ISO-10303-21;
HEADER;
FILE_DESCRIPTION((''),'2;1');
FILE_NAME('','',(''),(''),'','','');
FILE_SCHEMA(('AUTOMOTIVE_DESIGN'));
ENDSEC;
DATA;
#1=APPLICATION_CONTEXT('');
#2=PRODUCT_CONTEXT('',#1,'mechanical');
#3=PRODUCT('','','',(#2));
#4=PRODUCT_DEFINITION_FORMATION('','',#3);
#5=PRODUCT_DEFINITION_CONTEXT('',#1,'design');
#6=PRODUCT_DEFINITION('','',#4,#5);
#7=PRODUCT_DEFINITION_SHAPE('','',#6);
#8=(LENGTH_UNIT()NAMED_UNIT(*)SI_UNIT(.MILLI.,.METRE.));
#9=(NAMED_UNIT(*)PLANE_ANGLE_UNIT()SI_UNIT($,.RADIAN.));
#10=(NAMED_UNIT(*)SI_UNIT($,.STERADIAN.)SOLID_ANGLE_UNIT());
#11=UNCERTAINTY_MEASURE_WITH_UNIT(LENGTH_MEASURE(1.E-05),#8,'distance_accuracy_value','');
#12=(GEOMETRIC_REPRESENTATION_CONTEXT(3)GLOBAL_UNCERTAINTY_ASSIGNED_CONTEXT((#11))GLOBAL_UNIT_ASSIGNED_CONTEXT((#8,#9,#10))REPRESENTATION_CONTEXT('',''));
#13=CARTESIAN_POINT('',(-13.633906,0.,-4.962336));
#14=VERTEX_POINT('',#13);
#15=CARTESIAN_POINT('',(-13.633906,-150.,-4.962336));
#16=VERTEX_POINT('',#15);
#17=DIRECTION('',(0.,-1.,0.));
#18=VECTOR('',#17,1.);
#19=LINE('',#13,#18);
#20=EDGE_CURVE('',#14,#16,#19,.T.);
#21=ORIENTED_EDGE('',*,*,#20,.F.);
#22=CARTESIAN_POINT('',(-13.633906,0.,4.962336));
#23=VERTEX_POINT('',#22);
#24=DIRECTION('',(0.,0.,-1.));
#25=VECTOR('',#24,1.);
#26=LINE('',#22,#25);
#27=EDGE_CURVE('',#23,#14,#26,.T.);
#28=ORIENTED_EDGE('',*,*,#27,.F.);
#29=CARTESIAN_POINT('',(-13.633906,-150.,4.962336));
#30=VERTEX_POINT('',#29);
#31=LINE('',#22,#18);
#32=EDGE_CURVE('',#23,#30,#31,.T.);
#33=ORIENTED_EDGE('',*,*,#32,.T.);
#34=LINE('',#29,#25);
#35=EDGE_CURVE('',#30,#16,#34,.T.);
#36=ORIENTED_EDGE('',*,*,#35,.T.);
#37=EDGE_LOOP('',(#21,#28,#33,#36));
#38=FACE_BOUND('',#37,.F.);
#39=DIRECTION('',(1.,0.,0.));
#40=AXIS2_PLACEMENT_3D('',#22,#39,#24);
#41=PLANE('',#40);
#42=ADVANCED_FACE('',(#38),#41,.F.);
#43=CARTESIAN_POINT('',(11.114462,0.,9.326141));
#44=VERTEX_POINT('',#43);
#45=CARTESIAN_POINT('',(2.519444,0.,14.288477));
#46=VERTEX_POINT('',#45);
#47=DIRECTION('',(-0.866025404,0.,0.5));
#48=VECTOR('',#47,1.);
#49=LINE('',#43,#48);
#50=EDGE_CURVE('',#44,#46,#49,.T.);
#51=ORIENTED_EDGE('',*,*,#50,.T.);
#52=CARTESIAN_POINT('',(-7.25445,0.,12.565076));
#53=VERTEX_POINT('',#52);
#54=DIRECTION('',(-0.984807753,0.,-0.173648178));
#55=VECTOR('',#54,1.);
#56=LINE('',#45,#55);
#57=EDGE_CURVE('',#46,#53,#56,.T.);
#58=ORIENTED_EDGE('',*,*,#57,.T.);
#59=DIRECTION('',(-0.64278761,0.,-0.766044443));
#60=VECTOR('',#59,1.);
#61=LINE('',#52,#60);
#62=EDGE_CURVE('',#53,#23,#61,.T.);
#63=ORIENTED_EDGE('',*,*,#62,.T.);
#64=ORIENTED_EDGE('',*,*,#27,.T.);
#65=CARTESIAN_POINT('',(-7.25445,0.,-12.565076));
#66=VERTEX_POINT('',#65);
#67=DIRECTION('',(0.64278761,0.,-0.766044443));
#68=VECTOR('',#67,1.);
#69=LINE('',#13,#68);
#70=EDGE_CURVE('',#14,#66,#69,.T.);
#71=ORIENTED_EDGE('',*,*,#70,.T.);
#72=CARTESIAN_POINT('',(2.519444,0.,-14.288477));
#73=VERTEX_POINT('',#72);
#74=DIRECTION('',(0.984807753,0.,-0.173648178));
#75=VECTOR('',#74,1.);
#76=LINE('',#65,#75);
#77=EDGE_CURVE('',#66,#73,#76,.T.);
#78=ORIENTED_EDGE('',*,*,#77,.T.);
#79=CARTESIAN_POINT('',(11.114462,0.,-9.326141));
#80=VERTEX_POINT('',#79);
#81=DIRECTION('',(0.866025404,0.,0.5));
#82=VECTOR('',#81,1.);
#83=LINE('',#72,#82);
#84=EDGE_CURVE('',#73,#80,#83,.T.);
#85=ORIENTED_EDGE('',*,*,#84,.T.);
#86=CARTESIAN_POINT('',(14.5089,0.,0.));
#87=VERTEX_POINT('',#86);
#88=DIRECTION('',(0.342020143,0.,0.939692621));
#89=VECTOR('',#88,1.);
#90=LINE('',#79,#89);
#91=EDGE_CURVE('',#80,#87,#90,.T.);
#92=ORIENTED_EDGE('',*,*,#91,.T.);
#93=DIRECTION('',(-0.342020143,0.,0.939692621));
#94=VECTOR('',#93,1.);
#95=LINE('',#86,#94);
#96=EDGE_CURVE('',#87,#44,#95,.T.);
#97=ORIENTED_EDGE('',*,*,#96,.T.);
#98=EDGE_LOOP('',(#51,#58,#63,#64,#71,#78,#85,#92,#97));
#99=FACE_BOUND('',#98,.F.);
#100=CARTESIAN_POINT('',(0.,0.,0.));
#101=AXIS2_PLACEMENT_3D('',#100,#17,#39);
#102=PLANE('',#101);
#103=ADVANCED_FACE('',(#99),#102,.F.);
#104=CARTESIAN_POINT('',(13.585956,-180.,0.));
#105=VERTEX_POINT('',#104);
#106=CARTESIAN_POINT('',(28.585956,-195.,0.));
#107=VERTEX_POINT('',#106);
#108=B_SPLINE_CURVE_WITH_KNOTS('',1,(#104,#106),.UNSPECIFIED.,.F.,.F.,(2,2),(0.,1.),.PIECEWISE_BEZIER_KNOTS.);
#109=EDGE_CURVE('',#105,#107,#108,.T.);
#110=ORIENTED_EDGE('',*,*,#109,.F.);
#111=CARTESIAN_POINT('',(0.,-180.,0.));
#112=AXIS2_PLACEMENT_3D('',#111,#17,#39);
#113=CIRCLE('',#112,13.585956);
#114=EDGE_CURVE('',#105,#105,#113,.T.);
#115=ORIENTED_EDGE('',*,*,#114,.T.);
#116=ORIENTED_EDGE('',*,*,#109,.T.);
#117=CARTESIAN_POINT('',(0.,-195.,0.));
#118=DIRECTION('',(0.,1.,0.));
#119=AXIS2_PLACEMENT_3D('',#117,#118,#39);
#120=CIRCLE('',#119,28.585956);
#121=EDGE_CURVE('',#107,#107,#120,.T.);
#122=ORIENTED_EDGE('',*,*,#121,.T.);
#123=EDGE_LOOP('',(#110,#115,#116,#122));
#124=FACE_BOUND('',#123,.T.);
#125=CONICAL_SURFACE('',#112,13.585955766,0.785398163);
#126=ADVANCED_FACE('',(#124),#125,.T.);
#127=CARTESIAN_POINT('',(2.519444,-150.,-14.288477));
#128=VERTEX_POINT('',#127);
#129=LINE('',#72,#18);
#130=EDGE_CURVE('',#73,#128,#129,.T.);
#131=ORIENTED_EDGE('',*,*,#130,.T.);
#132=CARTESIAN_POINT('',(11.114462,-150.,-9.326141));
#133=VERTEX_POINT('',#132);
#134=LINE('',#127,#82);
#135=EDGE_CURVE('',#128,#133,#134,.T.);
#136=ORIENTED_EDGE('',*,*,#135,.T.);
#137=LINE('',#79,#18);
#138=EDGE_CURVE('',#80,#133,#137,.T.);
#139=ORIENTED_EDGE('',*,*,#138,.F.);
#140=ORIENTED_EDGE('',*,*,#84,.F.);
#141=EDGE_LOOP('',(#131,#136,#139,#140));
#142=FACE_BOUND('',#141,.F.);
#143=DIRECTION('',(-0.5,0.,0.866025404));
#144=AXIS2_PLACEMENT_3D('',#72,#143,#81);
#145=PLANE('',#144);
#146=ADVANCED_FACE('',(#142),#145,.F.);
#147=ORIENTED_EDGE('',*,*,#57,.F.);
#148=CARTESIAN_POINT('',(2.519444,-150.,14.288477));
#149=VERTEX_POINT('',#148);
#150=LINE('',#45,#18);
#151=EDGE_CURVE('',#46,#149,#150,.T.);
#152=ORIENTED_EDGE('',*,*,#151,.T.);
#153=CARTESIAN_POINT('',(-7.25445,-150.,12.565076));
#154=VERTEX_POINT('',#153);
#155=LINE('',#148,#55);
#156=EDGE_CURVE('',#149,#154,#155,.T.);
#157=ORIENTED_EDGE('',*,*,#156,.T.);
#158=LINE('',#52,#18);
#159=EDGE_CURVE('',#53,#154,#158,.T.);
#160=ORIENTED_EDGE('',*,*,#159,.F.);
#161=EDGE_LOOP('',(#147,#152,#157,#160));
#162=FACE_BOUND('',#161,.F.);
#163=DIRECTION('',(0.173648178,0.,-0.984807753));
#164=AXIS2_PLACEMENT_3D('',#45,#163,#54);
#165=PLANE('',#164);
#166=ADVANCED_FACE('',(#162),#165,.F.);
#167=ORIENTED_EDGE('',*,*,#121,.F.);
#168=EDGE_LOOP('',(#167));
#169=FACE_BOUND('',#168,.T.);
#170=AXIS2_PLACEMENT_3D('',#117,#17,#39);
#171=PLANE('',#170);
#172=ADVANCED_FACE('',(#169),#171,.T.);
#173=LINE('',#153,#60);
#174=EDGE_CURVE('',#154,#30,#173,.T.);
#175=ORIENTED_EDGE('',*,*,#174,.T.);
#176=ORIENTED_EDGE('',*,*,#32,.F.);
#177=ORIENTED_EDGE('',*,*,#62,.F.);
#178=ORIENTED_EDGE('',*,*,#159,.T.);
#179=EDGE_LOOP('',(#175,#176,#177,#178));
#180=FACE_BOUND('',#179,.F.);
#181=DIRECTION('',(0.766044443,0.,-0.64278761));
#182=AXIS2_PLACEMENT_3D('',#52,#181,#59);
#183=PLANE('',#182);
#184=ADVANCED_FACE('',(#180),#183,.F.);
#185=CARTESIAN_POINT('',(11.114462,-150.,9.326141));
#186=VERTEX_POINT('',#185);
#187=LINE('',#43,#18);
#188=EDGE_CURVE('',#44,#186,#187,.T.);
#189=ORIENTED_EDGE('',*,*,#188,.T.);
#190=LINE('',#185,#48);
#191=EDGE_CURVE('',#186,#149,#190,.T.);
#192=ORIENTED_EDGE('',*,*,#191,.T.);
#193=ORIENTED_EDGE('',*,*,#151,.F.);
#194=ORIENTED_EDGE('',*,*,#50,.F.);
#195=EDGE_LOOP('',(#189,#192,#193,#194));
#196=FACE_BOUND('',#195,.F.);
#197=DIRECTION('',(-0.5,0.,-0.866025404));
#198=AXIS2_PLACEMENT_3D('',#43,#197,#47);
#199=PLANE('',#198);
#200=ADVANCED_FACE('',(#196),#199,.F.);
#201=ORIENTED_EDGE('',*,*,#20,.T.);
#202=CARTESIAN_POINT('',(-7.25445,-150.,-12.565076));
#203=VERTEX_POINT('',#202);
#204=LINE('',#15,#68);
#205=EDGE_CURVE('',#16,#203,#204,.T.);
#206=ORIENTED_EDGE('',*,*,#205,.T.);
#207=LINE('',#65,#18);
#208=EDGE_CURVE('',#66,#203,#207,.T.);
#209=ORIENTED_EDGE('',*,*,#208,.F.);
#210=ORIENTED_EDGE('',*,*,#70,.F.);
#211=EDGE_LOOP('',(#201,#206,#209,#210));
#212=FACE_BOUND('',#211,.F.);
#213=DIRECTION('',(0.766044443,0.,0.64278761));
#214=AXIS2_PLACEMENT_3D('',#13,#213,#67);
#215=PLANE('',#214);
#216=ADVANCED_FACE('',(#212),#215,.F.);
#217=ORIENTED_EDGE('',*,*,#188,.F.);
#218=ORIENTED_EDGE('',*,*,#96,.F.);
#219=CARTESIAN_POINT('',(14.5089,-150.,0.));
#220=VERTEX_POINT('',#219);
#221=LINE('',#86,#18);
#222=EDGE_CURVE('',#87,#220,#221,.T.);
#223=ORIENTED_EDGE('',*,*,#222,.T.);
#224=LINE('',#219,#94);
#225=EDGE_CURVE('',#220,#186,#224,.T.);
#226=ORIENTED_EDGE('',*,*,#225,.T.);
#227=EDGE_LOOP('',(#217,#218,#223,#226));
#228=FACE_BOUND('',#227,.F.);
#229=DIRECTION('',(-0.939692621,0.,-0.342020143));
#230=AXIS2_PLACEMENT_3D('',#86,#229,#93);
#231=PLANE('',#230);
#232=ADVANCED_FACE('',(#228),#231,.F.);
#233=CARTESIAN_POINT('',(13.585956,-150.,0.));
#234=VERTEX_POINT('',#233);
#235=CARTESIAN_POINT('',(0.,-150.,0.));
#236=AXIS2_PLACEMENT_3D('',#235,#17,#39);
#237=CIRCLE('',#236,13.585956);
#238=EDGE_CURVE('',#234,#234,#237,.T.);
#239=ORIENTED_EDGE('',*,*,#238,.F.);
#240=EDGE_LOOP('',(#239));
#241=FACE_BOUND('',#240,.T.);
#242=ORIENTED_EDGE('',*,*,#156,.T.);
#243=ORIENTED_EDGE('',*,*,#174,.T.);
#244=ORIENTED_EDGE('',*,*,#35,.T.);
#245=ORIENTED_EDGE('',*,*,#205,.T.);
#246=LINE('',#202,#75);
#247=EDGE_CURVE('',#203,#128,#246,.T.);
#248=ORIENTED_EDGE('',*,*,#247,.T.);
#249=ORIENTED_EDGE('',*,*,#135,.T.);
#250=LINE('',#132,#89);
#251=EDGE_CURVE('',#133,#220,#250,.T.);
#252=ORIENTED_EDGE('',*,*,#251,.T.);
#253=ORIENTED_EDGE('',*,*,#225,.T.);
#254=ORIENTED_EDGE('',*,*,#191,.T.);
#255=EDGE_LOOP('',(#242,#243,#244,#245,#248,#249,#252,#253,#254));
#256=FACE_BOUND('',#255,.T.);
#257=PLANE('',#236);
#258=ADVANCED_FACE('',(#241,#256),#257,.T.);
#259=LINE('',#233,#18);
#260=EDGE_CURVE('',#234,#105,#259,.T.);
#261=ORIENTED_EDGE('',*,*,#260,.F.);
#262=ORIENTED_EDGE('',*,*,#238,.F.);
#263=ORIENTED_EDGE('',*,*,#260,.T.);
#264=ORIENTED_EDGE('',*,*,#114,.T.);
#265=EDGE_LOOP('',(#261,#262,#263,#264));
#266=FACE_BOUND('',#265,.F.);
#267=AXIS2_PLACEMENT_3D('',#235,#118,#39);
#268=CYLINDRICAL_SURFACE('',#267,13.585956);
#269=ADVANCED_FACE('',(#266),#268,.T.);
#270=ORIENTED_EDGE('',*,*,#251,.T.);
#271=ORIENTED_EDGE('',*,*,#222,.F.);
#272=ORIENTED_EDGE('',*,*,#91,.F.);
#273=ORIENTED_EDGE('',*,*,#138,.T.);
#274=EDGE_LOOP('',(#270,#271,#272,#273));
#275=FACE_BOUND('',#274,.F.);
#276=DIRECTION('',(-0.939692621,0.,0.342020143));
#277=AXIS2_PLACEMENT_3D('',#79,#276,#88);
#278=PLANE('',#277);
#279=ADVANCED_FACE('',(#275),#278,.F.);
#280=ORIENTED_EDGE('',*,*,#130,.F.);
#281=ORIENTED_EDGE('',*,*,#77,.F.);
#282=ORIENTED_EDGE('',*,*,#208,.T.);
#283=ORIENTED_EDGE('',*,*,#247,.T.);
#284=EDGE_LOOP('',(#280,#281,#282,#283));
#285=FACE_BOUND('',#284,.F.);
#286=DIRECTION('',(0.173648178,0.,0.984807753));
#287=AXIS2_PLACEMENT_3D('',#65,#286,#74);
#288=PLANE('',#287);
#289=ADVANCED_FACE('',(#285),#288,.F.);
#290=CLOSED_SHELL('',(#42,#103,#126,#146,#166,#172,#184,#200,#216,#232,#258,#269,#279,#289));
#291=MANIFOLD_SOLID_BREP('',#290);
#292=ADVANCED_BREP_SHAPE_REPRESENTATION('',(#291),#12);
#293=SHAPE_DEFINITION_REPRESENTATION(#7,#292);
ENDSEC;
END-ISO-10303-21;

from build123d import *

# Parameters (mm, degrees)
F1_DEPTH  = 150
F2_R      = 13.5859557656
F3_DEPTH  = 30
F3_FACE_R = 13.5859557656
F4_DEPTH  = 15
F4_TAPER  = -45


with BuildPart() as f1:
    # F0 (on Front) → F1 (new body)
    with BuildSketch(Plane.XZ):
        Polygon((-13.63390591, 4.962335928), (-13.63390591, -4.962335928), (-7.2544498107, -12.5650756531), (2.5194439792, -14.2884768348), (11.1144619307, -9.3261409068), (14.5088996214, 0), (11.1144619307, 9.3261409068), (2.5194439792, 14.2884768348), (-7.2544498107, 12.5650756531), align=None)
    extrude(amount=F1_DEPTH)

    # F2 (on face) → F3 (join)
    with BuildSketch(Plane.XZ.offset(150)):
        Circle(F2_R)
    extrude(amount=F3_DEPTH)

    # F3_face (on face) → F4 (join)
    with BuildSketch(Plane.XZ.offset(180)):
        Circle(F3_FACE_R)
    extrude(amount=F4_DEPTH, taper=F4_TAPER)


solid = f1.part
